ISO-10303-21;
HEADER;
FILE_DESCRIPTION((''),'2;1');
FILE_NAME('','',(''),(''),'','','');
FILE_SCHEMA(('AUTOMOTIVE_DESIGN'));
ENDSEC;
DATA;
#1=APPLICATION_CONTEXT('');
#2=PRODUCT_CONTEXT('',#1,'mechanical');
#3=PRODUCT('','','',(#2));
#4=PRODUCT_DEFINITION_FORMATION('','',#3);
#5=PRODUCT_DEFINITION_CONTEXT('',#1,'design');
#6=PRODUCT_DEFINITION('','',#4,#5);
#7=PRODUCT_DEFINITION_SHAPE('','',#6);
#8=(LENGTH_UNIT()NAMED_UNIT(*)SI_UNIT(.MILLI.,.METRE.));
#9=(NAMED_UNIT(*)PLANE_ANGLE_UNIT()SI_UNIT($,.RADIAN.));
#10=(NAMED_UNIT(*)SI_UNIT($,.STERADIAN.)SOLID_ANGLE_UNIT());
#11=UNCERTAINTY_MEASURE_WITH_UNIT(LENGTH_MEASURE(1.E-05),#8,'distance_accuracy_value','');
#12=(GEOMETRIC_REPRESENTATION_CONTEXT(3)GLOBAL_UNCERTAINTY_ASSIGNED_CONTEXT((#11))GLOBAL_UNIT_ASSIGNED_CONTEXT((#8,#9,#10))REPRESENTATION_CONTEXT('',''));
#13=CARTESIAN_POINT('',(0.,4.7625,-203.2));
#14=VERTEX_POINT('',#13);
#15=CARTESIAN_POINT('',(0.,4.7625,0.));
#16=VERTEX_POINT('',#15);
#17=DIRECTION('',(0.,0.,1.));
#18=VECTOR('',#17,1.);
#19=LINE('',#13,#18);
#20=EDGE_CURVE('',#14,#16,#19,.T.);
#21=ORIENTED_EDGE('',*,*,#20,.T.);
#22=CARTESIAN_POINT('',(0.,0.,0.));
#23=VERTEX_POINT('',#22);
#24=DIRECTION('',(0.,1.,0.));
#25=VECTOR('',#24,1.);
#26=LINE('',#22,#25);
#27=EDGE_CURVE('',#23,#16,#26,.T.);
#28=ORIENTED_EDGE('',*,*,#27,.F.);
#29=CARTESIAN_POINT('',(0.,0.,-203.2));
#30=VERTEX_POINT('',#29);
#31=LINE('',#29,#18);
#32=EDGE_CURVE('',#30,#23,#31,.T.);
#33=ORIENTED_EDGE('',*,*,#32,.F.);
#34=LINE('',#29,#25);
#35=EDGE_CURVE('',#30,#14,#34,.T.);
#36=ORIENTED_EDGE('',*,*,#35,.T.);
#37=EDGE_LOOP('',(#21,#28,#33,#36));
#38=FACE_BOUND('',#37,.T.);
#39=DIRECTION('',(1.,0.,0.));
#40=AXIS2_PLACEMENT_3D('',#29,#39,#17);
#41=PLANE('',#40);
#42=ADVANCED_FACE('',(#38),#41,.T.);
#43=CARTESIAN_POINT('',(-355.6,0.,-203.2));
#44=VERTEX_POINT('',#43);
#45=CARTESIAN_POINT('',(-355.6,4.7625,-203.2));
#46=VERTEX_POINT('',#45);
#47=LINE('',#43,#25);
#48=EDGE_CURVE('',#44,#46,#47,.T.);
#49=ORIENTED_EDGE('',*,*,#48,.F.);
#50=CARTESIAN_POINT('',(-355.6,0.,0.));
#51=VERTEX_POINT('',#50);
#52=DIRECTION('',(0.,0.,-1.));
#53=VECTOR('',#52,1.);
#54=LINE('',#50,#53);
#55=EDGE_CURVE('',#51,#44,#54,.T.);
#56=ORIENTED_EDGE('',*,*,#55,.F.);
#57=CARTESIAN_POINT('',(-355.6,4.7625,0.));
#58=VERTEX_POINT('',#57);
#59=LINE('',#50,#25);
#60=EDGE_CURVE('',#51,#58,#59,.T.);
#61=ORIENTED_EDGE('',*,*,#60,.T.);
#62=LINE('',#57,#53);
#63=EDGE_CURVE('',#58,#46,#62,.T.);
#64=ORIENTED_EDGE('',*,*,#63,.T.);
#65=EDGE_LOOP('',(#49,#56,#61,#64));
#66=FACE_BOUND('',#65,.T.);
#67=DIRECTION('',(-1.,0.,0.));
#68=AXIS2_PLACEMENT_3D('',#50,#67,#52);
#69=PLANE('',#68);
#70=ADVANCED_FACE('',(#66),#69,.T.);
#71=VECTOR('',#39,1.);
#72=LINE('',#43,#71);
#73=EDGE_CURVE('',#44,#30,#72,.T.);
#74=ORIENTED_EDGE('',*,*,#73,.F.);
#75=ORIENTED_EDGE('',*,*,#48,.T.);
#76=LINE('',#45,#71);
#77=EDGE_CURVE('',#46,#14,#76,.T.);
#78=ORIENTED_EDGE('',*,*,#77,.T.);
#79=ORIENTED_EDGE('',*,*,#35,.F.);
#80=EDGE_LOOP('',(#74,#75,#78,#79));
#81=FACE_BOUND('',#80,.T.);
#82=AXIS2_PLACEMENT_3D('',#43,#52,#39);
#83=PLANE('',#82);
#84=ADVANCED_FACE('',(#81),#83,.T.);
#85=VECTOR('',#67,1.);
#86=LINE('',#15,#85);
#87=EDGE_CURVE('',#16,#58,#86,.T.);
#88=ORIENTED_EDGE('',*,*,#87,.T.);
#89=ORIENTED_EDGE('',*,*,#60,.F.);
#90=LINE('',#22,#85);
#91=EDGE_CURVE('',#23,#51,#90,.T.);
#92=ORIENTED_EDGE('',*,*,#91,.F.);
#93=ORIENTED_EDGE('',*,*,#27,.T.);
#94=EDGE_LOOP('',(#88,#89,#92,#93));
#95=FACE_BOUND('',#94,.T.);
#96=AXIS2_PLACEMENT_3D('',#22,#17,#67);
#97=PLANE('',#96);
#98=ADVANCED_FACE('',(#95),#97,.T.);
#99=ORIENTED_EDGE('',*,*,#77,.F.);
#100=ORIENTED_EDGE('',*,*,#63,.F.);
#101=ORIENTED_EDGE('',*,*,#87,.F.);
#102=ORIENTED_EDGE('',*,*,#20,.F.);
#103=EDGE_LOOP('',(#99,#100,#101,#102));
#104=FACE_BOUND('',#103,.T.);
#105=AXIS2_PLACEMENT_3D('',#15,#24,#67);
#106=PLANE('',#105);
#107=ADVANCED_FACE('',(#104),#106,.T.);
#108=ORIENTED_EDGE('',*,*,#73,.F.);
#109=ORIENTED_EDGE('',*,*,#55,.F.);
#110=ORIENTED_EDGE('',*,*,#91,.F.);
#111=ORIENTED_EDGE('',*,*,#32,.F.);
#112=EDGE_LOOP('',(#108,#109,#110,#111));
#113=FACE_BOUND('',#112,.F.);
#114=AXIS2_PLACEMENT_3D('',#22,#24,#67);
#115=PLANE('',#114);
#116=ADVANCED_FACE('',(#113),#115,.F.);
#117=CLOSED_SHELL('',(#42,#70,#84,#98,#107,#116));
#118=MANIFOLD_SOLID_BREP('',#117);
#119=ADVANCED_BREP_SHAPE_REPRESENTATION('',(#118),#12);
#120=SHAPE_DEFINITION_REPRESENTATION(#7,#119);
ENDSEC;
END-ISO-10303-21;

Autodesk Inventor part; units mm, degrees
ref_plane "YZ Plane" through (0, 0, 0) normal (1, 0, 0) x (0, 1, 0)
ref_plane "XZ Plane" through (0, 0, 0) normal (0, 1, 0) x (-1, 0, 0)
ref_plane "XY Plane" through (0, 0, 0) normal (0, 0, 1) x (1, 0, 0)
sketch "Sketch1" plane through (0, 0, 0) normal (0, 1, 0) x (-1, 0, 0)
  line L0 (0, 0) -> (355.6, 0)
  line L1 (355.6, 0) -> (355.6, -203.2)
  line L2 (355.6, -203.2) -> (0, -203.2)
  line L3 (0, -203.2) -> (0, 0)
  dimension "d0" = 355.6
  dimension "d1" = 203.2
extrude "Extrusion1" add sketch "Sketch1" along normal blind 4.7625
properties part number "Prathuel Electronics Board" material "Polycarbonate, Smoke"
